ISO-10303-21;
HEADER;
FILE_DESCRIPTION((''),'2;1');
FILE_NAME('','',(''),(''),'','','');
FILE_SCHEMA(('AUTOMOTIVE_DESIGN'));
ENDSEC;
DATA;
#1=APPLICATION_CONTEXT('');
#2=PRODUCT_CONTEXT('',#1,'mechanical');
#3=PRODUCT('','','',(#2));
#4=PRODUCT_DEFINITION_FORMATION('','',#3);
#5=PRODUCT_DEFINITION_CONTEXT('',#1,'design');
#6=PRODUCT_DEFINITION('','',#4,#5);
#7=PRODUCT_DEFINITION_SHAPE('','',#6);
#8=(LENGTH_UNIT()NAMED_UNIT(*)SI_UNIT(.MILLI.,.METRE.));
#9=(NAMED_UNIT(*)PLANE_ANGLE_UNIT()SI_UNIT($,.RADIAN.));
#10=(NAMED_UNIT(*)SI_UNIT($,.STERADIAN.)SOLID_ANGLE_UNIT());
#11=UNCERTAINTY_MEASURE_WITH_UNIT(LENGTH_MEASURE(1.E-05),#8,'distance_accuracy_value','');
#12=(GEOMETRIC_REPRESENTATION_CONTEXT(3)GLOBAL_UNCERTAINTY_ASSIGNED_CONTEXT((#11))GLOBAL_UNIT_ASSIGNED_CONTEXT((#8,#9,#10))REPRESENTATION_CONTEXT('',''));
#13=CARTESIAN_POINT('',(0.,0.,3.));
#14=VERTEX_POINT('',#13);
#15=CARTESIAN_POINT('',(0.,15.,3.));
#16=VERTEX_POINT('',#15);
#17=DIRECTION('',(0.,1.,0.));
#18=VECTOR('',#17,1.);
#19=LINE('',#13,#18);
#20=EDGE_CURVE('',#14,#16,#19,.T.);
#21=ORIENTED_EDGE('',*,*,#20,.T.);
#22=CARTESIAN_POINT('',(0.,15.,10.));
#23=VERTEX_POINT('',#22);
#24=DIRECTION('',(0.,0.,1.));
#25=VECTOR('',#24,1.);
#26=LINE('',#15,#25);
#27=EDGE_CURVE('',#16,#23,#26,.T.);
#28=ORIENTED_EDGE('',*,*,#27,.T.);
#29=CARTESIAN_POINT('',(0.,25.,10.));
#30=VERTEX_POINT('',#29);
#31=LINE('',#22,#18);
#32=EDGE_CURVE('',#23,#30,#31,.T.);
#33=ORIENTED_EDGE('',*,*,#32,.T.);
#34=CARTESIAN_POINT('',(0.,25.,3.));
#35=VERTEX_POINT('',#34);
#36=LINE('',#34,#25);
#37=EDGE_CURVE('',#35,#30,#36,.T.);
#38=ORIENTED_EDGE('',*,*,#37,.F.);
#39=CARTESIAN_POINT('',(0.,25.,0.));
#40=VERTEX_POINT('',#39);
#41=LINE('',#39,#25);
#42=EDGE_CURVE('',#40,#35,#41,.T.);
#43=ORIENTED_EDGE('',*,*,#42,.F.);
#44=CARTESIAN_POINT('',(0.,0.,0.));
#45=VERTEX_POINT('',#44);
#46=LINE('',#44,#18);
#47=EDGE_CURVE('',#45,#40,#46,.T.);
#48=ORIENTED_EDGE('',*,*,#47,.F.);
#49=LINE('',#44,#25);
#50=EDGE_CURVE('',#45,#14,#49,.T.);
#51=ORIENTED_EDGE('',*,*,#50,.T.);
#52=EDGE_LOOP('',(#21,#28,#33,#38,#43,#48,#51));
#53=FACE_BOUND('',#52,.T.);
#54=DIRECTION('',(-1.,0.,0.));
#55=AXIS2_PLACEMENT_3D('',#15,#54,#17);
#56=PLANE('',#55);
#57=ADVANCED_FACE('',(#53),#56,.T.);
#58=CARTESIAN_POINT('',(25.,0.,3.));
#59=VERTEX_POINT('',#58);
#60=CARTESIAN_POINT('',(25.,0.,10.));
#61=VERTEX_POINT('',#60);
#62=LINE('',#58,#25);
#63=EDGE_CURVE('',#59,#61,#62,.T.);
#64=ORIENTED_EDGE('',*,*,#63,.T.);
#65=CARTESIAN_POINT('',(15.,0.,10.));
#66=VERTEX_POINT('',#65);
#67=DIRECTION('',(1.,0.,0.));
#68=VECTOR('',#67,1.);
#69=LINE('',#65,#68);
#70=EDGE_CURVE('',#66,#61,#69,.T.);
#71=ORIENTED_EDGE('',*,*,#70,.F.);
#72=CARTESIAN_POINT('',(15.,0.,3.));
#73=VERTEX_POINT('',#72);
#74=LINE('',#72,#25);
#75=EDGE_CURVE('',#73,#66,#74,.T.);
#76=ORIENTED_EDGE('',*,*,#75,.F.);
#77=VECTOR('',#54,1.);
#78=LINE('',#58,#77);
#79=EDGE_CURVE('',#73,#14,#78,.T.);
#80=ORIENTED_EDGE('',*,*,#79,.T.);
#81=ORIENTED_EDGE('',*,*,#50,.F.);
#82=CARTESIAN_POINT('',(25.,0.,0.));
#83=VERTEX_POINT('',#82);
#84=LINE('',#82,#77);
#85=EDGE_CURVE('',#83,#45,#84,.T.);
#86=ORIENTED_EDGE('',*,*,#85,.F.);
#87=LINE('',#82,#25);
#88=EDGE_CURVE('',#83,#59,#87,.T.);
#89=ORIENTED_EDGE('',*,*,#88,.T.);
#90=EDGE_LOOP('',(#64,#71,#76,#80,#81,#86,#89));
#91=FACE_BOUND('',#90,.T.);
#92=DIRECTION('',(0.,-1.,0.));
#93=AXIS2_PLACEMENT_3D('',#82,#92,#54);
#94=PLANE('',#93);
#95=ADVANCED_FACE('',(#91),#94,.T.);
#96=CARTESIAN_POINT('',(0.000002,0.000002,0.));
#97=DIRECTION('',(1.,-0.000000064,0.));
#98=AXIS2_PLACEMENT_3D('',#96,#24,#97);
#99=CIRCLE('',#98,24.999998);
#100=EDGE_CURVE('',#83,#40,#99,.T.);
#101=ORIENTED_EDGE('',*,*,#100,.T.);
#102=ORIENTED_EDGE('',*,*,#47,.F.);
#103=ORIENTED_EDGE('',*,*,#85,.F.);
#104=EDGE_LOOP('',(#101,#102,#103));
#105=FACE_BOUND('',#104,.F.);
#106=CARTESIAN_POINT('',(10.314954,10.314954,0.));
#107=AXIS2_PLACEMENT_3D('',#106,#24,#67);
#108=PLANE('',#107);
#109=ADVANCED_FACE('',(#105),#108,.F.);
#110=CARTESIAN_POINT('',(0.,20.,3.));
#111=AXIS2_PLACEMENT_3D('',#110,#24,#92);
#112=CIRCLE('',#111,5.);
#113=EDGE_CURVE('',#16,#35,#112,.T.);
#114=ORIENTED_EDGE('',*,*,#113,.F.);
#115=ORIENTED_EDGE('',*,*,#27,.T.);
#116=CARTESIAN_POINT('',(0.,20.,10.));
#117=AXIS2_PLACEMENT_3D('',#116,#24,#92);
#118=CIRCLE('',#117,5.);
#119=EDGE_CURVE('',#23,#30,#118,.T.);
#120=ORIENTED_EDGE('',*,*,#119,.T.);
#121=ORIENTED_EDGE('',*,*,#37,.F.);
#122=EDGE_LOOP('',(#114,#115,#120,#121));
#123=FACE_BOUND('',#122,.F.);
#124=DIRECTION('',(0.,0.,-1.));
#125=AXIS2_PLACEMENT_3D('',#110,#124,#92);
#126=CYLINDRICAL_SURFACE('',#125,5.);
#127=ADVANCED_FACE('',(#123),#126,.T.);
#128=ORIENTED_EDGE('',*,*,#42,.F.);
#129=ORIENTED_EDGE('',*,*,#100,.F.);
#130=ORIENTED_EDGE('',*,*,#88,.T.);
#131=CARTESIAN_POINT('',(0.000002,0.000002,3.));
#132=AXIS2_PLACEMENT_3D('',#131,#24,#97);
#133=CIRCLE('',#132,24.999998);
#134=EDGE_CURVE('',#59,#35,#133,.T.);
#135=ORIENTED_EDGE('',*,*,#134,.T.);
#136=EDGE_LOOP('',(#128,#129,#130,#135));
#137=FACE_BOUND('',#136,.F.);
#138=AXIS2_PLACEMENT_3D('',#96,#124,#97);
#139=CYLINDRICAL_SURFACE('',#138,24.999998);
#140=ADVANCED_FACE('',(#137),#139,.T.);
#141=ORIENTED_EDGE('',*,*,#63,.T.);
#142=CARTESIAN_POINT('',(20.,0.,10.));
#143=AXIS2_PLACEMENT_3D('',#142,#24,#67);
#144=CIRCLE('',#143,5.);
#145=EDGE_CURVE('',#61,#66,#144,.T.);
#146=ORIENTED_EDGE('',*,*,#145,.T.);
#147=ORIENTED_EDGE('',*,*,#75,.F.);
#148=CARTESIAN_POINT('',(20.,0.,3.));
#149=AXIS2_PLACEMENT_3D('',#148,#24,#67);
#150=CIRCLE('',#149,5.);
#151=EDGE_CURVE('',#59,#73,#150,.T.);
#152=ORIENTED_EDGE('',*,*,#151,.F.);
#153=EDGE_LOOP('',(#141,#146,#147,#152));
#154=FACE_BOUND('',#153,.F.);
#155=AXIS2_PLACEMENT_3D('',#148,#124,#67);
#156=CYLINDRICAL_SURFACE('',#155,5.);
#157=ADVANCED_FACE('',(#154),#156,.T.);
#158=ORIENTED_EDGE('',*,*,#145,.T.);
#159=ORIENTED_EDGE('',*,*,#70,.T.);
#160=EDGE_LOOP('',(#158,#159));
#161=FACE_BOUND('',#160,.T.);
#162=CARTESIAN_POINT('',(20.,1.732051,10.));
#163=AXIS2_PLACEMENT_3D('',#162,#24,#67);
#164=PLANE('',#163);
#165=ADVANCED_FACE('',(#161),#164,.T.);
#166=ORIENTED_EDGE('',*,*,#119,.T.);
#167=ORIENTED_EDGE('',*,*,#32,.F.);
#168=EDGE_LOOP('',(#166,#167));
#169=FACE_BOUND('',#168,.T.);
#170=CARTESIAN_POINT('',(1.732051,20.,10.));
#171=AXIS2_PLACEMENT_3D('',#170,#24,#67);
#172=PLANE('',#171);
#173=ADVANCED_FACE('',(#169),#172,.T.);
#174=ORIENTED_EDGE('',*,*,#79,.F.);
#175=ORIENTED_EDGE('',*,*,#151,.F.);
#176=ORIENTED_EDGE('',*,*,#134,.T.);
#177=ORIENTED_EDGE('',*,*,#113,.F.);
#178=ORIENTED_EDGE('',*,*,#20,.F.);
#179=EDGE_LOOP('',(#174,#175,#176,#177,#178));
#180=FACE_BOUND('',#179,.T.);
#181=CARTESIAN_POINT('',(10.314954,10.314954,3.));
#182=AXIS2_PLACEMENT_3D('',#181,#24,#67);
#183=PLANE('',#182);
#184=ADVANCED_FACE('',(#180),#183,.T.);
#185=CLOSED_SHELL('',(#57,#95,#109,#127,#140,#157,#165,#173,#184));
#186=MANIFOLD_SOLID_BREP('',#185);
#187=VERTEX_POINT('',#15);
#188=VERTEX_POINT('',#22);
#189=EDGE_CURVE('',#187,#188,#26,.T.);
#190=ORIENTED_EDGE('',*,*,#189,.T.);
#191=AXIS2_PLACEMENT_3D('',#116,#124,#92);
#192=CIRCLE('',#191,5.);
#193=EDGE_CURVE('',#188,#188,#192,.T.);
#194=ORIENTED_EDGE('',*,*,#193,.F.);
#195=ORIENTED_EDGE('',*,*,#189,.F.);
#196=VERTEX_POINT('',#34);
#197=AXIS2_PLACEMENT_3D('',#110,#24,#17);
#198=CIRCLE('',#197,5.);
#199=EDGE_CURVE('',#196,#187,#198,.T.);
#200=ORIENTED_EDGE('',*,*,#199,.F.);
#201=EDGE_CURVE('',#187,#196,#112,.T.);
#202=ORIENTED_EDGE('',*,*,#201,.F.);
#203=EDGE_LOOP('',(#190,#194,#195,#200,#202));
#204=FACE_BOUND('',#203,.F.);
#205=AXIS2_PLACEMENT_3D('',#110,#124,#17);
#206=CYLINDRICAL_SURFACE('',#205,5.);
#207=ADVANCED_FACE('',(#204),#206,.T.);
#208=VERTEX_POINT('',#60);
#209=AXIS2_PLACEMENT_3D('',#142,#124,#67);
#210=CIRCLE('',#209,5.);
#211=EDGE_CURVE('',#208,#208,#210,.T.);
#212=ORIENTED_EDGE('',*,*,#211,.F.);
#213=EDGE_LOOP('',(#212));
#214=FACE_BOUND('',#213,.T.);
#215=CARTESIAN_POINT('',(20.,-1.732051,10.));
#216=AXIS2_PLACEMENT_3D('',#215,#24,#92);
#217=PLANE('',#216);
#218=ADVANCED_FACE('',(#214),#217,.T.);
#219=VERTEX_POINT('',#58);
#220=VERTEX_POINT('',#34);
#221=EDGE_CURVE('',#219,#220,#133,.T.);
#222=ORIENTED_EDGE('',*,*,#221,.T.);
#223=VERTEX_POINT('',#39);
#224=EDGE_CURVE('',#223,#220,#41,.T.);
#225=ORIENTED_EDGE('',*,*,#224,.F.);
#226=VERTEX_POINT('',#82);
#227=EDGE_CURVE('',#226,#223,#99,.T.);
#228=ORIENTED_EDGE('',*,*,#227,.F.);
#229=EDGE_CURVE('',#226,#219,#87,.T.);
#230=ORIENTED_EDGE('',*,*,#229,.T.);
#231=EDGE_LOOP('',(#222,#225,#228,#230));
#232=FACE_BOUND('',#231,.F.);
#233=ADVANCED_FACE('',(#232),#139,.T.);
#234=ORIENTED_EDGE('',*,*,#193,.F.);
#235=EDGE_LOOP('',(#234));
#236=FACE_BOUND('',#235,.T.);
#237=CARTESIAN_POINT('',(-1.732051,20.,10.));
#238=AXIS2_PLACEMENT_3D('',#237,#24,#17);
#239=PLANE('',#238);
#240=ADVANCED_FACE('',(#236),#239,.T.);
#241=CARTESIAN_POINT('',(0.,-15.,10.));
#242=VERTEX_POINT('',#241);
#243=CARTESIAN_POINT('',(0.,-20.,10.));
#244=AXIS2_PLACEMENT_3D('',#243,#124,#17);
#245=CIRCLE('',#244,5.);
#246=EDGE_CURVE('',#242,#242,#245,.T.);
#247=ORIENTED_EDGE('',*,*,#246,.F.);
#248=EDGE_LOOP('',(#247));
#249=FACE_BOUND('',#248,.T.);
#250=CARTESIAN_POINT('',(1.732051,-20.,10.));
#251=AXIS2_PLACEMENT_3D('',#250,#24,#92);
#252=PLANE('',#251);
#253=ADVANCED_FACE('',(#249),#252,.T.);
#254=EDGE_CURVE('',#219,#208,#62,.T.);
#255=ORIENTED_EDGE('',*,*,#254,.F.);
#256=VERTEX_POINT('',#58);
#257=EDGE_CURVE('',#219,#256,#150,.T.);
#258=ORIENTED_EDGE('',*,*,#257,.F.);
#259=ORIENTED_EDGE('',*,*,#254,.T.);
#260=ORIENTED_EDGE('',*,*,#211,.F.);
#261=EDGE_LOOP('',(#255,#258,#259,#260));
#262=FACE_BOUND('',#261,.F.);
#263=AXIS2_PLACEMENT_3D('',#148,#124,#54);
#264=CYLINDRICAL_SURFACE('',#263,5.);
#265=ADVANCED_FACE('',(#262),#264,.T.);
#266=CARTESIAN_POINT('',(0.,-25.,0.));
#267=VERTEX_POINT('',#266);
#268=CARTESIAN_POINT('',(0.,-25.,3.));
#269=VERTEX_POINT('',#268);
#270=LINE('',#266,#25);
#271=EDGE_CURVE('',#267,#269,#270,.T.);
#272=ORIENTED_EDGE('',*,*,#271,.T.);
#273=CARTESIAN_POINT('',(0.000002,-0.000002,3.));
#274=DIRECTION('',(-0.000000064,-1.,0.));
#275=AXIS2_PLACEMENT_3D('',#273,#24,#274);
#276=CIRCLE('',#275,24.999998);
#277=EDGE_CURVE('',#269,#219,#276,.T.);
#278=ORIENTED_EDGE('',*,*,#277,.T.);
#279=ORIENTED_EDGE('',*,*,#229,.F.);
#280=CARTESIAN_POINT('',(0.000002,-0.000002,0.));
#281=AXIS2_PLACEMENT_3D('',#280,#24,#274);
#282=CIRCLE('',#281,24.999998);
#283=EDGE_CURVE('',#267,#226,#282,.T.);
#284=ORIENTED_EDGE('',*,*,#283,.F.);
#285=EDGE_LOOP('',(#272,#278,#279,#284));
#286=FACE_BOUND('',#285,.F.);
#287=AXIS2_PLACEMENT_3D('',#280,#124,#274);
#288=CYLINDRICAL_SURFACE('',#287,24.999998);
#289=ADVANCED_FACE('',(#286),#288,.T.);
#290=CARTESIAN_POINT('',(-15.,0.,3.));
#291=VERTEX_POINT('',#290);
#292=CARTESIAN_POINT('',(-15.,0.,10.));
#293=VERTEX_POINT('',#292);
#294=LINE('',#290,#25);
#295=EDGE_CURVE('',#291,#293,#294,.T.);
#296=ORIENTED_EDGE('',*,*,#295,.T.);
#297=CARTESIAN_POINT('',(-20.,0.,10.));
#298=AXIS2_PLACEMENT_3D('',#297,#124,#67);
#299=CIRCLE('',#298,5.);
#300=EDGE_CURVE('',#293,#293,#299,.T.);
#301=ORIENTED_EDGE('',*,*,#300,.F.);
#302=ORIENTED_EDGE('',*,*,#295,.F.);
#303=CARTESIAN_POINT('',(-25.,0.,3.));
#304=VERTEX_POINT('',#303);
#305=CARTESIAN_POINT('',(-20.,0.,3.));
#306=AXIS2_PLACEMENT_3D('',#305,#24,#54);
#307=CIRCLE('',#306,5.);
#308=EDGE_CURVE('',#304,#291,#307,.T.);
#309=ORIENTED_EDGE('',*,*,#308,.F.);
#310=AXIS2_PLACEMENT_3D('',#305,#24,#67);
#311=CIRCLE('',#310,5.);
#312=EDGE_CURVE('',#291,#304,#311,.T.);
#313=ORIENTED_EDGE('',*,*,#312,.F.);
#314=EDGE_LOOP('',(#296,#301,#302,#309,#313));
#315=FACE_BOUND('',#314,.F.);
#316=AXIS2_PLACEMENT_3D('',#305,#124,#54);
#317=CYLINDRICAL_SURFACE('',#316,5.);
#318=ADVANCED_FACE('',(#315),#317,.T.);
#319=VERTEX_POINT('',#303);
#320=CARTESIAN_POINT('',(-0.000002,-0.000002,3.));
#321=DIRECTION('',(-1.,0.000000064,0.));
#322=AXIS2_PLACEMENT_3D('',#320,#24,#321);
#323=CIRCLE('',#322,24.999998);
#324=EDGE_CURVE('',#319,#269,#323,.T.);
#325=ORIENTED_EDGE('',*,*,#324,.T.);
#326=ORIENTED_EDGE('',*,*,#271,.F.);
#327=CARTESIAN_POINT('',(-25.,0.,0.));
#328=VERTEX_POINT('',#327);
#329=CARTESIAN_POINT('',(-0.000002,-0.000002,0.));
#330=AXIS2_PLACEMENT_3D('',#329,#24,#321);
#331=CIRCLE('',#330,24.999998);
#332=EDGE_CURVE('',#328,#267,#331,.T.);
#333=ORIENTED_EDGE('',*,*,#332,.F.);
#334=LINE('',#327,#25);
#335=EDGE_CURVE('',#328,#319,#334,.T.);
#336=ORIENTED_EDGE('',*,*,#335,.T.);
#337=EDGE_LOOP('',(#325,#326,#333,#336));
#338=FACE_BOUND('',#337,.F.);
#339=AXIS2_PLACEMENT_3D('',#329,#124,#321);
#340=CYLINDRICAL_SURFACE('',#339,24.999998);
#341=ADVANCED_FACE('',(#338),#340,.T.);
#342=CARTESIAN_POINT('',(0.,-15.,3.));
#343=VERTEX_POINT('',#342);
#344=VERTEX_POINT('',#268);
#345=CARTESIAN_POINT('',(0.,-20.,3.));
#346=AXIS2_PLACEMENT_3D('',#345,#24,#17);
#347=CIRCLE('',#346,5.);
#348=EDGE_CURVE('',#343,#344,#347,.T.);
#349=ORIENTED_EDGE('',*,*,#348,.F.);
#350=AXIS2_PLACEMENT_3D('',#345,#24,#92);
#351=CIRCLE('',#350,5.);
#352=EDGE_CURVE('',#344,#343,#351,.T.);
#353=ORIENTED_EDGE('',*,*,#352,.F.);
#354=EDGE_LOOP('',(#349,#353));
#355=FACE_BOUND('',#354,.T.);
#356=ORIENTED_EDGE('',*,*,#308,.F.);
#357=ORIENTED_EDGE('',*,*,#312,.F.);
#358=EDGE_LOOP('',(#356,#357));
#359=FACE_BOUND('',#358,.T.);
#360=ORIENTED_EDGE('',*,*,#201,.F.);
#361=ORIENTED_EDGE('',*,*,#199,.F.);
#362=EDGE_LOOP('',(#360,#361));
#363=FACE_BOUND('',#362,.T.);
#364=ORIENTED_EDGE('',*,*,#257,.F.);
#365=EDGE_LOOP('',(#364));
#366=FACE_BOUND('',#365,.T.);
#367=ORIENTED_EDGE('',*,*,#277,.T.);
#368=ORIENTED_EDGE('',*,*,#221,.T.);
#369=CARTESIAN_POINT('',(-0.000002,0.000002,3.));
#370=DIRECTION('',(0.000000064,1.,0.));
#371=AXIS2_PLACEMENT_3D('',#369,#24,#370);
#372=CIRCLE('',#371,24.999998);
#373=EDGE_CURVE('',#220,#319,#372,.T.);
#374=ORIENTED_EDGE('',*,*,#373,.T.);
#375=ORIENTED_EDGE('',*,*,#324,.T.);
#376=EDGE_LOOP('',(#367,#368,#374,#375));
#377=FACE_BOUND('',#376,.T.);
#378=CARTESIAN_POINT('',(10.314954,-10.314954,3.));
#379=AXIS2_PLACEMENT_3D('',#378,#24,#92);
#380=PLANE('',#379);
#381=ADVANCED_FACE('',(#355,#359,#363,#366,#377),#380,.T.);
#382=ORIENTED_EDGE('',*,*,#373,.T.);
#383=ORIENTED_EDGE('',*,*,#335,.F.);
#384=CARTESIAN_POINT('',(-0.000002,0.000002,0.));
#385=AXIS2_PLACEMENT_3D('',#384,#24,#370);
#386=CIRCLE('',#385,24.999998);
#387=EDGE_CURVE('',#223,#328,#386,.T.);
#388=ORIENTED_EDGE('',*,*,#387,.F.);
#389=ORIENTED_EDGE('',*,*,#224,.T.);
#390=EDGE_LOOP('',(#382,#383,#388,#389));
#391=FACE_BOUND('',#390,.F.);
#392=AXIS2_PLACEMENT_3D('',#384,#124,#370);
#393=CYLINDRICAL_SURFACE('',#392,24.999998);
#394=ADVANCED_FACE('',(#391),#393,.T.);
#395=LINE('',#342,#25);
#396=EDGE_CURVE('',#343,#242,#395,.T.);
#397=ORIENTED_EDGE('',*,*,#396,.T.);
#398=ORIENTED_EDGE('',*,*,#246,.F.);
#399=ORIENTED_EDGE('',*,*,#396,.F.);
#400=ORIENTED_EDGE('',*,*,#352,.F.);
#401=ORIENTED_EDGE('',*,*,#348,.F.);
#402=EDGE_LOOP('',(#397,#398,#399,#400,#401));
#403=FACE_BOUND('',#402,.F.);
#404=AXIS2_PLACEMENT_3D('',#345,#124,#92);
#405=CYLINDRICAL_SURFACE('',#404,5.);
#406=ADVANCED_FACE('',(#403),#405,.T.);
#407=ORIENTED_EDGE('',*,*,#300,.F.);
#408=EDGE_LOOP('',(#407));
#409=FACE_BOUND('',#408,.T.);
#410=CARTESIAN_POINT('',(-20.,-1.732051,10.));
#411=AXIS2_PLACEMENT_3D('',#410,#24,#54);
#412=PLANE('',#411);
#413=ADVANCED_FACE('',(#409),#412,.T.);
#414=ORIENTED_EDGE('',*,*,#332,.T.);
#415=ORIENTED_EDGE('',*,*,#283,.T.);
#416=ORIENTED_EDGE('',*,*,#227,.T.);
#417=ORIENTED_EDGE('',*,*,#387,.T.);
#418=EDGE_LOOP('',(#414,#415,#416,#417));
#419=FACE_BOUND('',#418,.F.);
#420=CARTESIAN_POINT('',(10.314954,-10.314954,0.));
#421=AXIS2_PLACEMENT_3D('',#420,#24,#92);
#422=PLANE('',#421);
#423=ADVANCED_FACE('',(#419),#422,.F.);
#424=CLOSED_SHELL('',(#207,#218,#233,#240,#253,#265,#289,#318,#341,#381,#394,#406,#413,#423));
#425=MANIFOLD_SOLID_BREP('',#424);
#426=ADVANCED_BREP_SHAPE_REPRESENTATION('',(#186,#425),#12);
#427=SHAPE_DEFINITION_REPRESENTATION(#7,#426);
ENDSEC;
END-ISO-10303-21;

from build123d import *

# Parameters (mm, degrees)
PAD_DEPTH          = 3
PAD001_DEPTH       = 7
PAD002_DEPTH       = 3
PAD003_DEPTH       = 7
POLARPATTERN_COUNT = 4


with BuildPart() as semi_circle:
    # Sketch → Pad (new body)
    with BuildSketch(Plane.XY):
        with BuildLine():
            ThreePointArc((25, 0), (17.67767, 17.67767), (0, 25))
            Line((0, 0), (0, 25))
            Line((25, 0), (0, 0))
        make_face()
    extrude(amount=PAD_DEPTH)

    # Sketch001 (on Face5 of Pad) → Pad001 (join)
    with BuildSketch(Plane.XY.offset(3)):
        with BuildLine():
            ThreePointArc((0, 15), (5, 20), (0, 25))
            Line((0, 15), (0, 25))
        make_face()
        with BuildLine():
            ThreePointArc((25, 0), (20, 5), (15, 0))
            Line((15, 0), (25, 0))
        make_face()
    extrude(amount=PAD001_DEPTH)


with BuildPart() as circle:
    # Sketch002 → Pad002 (new body)
    with BuildSketch(Plane.XY):
        with BuildLine():
            ThreePointArc((25, 0), (17.67767, 17.67767), (0, 25))
            Line((0, 0), (0, 25))
            Line((25, 0), (0, 0))
        make_face()
    extrude(amount=PAD002_DEPTH)

    # Sketch003 (on Face5 of Pad002) → Pad003 (join)
    with BuildSketch(Plane.XY.offset(3)):
        with BuildLine():
            ThreePointArc((0, 15), (5, 20), (0, 25))
            Line((0, 15), (0, 25))
        make_face()
        with BuildLine():
            ThreePointArc((25, 0), (20, 5), (15, 0))
            Line((15, 0), (25, 0))
        make_face()
    extrude(amount=PAD003_DEPTH)

    # PolarPattern: Circle ×4 about axis
    polarpattern_axis = Axis((0, 0, 3), (0, 0, 1))


with BuildPart() as circle_1:
    add(circle.part)
    for i in range(1, POLARPATTERN_COUNT):
        add(circle.part.rotate(polarpattern_axis, i * 360 / POLARPATTERN_COUNT))


solid = Compound([semi_circle.part, circle_1.part])
